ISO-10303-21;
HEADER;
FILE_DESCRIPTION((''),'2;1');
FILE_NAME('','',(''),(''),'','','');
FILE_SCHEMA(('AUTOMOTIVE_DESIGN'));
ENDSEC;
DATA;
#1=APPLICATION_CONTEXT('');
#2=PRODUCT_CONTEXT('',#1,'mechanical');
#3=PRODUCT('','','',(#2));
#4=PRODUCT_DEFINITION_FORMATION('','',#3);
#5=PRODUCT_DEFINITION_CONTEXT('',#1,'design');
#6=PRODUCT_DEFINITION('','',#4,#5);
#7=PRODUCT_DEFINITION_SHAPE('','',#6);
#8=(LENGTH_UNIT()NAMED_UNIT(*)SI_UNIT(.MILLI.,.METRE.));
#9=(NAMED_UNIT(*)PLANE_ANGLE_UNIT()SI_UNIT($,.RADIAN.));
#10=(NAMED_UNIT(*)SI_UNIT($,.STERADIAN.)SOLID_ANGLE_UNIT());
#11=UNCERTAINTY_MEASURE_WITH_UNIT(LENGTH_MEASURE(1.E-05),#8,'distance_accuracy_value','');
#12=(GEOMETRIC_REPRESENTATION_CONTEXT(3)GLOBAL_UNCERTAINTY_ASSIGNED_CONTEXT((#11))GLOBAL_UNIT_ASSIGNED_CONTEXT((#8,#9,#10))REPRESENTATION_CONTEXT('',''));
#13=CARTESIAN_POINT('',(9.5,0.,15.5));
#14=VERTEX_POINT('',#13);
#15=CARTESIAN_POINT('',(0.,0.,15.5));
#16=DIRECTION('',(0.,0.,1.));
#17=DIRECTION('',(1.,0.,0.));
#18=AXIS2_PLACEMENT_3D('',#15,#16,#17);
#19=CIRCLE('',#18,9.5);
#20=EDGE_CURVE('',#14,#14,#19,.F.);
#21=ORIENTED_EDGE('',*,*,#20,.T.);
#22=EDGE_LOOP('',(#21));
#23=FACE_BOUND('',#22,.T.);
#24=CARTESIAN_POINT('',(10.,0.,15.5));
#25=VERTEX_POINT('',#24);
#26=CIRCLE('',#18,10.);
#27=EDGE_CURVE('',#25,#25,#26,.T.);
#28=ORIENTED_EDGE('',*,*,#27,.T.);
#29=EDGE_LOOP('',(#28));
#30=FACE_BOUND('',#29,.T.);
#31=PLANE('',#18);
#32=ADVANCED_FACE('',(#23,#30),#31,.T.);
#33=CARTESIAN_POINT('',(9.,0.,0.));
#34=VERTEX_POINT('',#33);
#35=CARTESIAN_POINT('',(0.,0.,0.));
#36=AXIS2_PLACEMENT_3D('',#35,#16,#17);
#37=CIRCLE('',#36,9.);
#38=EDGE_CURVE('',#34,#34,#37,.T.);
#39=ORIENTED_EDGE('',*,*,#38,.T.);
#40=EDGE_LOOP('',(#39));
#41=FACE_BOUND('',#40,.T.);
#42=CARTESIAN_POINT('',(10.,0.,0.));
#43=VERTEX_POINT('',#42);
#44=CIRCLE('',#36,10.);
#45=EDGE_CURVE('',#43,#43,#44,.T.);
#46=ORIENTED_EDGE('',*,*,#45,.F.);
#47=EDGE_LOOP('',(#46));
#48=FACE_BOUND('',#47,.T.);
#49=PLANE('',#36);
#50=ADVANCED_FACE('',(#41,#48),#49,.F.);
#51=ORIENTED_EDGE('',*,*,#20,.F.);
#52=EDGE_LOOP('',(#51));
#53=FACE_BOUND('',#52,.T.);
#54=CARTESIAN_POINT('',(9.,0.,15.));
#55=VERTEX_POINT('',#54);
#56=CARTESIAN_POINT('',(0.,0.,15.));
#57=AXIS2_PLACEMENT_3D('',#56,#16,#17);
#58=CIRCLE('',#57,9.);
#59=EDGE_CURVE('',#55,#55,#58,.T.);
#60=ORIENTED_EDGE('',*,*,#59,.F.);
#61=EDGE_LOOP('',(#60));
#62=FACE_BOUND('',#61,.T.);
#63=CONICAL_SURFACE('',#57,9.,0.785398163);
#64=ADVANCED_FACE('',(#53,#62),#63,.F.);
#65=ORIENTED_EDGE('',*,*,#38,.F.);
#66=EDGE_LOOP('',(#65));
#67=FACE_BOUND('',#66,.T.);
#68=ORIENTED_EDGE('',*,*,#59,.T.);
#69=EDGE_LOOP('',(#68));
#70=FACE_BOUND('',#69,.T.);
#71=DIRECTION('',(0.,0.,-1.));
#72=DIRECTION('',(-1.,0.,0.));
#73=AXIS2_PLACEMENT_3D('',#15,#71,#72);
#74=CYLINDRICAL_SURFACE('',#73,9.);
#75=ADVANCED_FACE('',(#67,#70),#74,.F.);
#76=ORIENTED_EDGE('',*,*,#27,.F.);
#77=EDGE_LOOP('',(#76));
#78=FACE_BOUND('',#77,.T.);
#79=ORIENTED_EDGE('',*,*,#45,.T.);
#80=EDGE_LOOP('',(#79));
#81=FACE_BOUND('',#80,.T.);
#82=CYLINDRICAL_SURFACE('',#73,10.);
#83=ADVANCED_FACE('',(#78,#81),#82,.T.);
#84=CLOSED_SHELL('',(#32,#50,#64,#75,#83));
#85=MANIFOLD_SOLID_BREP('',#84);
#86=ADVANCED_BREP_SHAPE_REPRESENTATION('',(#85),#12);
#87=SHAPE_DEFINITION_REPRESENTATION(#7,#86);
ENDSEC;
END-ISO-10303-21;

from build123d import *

# Parameters (mm, degrees)
IZIM1_R                     = 10
IZIM1_R_2                   = 9
Y_KSEKLIK_EKSTR_ZYON1_DEPTH = 15.5
PAH1_SIZE                   = 0.5


with BuildPart() as part:
    # Çizim1 → Yükseklik-Ekstrüzyon1 (new body)
    with BuildSketch(Plane.XY):
        Circle(IZIM1_R)
        Circle(IZIM1_R_2, mode=Mode.SUBTRACT)
    extrude(amount=Y_KSEKLIK_EKSTR_ZYON1_DEPTH)

    # Pah1
    pah1_edges = [part.edges().sort_by_distance(p)[0] for p in [
        (-9, 0, 15.5),
    ]]
    chamfer(pah1_edges, length=PAH1_SIZE)


solid = part.part
